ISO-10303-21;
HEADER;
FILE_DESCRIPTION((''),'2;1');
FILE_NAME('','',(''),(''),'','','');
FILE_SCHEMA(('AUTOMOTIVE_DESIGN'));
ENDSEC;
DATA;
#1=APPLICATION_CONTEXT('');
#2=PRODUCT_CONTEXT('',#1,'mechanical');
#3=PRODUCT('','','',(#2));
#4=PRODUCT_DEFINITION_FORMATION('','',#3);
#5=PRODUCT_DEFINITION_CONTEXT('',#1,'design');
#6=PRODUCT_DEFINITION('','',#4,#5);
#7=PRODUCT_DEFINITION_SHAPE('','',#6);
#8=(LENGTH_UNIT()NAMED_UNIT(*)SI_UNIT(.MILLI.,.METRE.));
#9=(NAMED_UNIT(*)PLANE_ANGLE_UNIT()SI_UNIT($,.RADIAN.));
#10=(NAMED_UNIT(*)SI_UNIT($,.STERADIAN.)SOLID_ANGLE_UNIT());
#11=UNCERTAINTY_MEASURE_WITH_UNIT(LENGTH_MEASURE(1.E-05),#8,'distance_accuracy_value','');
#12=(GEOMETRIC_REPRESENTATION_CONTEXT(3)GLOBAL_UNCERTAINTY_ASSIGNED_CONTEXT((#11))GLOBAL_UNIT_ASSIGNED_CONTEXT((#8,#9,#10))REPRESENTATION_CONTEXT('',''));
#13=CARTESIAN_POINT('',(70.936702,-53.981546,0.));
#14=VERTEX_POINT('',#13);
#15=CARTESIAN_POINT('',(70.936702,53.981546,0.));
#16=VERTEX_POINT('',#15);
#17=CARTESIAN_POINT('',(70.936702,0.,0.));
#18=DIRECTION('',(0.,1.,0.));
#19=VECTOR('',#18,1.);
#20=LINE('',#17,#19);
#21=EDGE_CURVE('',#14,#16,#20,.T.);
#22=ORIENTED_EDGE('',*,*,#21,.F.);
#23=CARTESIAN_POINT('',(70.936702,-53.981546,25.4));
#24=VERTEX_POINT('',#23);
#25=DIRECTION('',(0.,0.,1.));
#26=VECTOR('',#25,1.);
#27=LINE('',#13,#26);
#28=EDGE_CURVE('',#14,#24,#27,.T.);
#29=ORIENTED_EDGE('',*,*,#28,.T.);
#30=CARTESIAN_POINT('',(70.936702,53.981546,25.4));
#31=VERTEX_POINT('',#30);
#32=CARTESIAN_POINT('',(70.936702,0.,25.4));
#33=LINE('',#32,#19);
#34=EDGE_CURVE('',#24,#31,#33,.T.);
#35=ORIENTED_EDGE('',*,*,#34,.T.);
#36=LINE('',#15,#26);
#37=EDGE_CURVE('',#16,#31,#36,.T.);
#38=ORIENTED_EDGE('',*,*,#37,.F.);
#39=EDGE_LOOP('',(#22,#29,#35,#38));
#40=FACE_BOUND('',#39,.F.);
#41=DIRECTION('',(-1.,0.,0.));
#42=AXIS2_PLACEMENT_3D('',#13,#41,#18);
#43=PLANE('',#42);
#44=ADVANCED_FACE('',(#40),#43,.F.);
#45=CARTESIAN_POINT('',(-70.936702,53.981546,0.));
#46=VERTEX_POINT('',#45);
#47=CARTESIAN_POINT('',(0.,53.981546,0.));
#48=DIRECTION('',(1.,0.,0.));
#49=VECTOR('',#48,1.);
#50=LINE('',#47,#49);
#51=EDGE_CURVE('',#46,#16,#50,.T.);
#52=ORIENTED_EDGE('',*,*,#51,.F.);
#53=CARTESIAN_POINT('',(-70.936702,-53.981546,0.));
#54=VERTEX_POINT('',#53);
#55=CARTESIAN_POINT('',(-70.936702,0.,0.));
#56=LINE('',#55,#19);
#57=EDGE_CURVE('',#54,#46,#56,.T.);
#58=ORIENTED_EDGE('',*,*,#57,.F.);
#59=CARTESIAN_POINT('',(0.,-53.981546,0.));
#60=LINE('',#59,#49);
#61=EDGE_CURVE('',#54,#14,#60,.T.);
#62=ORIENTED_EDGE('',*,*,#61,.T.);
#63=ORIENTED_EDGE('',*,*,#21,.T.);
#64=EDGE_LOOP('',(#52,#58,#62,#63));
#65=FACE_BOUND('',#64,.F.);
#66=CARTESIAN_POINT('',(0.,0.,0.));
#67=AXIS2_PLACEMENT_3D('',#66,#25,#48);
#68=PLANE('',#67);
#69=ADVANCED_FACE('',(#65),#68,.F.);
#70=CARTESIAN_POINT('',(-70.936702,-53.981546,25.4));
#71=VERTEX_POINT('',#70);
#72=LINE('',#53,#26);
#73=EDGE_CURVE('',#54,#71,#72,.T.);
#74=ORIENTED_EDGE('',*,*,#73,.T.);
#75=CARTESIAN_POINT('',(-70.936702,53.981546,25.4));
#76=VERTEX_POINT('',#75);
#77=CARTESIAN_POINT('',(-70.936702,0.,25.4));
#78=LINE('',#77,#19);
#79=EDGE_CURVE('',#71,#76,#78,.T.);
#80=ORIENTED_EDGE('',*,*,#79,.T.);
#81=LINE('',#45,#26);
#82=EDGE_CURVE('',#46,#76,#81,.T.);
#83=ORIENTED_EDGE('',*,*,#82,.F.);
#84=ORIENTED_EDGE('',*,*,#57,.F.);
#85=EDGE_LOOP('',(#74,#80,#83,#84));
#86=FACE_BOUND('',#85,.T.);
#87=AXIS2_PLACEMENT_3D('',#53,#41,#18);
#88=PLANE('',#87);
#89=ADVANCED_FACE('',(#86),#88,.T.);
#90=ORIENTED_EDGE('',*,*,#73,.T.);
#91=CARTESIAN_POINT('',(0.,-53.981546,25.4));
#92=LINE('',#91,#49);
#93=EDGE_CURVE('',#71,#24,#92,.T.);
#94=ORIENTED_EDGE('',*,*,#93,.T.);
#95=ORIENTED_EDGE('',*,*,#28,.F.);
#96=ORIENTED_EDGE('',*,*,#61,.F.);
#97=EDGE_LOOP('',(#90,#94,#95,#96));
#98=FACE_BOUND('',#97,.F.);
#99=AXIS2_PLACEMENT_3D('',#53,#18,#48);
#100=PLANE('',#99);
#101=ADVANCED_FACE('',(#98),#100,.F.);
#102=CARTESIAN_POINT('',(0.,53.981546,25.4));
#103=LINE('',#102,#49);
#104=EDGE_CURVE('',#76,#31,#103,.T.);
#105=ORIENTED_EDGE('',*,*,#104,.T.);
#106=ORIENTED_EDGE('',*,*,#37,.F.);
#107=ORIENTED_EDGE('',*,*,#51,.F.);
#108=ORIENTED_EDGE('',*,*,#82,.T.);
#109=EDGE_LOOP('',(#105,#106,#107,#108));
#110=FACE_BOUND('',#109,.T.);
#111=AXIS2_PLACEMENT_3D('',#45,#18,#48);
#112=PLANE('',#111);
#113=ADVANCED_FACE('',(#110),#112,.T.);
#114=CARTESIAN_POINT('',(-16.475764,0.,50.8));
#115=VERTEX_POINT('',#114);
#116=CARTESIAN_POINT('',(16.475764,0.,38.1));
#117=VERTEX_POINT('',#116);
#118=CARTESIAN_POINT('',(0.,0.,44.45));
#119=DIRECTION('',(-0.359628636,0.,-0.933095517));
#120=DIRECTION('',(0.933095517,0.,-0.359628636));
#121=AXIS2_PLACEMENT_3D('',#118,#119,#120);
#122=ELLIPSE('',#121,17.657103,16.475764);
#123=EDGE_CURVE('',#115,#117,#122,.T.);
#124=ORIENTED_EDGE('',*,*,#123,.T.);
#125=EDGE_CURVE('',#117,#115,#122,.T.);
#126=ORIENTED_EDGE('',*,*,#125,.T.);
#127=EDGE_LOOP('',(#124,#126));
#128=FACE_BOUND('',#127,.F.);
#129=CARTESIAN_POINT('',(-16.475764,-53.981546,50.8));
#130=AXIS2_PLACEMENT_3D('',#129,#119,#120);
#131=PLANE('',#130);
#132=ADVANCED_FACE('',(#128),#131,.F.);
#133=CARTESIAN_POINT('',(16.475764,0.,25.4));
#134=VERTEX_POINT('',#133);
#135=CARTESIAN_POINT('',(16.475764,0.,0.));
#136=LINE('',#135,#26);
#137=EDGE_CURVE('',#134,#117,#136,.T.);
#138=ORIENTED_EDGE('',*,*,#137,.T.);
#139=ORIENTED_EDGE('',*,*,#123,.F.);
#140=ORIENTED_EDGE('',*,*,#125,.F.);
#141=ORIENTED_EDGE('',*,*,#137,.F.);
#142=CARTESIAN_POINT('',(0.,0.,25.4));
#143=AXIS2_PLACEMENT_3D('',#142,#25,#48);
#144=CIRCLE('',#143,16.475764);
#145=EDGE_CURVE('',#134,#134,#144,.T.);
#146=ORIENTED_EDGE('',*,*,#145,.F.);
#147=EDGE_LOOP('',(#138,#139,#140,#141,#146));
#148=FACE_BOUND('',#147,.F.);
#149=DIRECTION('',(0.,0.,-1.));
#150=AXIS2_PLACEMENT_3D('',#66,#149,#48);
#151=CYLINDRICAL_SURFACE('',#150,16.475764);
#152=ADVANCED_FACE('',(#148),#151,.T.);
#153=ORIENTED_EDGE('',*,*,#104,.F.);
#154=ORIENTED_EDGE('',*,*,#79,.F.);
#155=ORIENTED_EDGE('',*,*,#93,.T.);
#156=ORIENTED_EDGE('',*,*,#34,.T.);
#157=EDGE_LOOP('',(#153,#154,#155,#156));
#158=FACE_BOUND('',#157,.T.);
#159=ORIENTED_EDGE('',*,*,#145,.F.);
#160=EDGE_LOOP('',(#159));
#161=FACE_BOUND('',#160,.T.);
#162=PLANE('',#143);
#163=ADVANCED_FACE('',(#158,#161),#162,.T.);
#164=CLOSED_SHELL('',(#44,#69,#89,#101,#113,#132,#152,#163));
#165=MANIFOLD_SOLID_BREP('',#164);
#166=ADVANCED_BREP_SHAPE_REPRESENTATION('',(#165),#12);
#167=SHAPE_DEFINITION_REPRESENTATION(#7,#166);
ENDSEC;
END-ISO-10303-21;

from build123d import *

# Parameters (mm, degrees)
F0_R     = 16.475764
F1_DEPTH = 50.8
F0_W     = 141.873404
F0_H     = 107.963092
F2_DEPTH = 25.4
F4_DEPTH = 107.964093


with BuildPart() as f1:
    # F0 (on Top) → F1 (new body)
    with BuildSketch(Plane.XY):
        Circle(F0_R)
    extrude(amount=F1_DEPTH)

    # F0 (on Top) → F2 (join)
    with BuildSketch(Plane.XY):
        Rectangle(F0_W, F0_H)
        Circle(F0_R, mode=Mode.SUBTRACT)
    extrude(amount=F2_DEPTH)

    # F3 (on face) → F4 (cut, through all)
    with BuildSketch(Plane.XZ.offset(53.981546)):
        Polygon((16.475764, 50.8), (-16.475764, 50.8), (16.475764, 38.1), align=None)
    extrude(amount=-F4_DEPTH, mode=Mode.SUBTRACT)


solid = f1.part
